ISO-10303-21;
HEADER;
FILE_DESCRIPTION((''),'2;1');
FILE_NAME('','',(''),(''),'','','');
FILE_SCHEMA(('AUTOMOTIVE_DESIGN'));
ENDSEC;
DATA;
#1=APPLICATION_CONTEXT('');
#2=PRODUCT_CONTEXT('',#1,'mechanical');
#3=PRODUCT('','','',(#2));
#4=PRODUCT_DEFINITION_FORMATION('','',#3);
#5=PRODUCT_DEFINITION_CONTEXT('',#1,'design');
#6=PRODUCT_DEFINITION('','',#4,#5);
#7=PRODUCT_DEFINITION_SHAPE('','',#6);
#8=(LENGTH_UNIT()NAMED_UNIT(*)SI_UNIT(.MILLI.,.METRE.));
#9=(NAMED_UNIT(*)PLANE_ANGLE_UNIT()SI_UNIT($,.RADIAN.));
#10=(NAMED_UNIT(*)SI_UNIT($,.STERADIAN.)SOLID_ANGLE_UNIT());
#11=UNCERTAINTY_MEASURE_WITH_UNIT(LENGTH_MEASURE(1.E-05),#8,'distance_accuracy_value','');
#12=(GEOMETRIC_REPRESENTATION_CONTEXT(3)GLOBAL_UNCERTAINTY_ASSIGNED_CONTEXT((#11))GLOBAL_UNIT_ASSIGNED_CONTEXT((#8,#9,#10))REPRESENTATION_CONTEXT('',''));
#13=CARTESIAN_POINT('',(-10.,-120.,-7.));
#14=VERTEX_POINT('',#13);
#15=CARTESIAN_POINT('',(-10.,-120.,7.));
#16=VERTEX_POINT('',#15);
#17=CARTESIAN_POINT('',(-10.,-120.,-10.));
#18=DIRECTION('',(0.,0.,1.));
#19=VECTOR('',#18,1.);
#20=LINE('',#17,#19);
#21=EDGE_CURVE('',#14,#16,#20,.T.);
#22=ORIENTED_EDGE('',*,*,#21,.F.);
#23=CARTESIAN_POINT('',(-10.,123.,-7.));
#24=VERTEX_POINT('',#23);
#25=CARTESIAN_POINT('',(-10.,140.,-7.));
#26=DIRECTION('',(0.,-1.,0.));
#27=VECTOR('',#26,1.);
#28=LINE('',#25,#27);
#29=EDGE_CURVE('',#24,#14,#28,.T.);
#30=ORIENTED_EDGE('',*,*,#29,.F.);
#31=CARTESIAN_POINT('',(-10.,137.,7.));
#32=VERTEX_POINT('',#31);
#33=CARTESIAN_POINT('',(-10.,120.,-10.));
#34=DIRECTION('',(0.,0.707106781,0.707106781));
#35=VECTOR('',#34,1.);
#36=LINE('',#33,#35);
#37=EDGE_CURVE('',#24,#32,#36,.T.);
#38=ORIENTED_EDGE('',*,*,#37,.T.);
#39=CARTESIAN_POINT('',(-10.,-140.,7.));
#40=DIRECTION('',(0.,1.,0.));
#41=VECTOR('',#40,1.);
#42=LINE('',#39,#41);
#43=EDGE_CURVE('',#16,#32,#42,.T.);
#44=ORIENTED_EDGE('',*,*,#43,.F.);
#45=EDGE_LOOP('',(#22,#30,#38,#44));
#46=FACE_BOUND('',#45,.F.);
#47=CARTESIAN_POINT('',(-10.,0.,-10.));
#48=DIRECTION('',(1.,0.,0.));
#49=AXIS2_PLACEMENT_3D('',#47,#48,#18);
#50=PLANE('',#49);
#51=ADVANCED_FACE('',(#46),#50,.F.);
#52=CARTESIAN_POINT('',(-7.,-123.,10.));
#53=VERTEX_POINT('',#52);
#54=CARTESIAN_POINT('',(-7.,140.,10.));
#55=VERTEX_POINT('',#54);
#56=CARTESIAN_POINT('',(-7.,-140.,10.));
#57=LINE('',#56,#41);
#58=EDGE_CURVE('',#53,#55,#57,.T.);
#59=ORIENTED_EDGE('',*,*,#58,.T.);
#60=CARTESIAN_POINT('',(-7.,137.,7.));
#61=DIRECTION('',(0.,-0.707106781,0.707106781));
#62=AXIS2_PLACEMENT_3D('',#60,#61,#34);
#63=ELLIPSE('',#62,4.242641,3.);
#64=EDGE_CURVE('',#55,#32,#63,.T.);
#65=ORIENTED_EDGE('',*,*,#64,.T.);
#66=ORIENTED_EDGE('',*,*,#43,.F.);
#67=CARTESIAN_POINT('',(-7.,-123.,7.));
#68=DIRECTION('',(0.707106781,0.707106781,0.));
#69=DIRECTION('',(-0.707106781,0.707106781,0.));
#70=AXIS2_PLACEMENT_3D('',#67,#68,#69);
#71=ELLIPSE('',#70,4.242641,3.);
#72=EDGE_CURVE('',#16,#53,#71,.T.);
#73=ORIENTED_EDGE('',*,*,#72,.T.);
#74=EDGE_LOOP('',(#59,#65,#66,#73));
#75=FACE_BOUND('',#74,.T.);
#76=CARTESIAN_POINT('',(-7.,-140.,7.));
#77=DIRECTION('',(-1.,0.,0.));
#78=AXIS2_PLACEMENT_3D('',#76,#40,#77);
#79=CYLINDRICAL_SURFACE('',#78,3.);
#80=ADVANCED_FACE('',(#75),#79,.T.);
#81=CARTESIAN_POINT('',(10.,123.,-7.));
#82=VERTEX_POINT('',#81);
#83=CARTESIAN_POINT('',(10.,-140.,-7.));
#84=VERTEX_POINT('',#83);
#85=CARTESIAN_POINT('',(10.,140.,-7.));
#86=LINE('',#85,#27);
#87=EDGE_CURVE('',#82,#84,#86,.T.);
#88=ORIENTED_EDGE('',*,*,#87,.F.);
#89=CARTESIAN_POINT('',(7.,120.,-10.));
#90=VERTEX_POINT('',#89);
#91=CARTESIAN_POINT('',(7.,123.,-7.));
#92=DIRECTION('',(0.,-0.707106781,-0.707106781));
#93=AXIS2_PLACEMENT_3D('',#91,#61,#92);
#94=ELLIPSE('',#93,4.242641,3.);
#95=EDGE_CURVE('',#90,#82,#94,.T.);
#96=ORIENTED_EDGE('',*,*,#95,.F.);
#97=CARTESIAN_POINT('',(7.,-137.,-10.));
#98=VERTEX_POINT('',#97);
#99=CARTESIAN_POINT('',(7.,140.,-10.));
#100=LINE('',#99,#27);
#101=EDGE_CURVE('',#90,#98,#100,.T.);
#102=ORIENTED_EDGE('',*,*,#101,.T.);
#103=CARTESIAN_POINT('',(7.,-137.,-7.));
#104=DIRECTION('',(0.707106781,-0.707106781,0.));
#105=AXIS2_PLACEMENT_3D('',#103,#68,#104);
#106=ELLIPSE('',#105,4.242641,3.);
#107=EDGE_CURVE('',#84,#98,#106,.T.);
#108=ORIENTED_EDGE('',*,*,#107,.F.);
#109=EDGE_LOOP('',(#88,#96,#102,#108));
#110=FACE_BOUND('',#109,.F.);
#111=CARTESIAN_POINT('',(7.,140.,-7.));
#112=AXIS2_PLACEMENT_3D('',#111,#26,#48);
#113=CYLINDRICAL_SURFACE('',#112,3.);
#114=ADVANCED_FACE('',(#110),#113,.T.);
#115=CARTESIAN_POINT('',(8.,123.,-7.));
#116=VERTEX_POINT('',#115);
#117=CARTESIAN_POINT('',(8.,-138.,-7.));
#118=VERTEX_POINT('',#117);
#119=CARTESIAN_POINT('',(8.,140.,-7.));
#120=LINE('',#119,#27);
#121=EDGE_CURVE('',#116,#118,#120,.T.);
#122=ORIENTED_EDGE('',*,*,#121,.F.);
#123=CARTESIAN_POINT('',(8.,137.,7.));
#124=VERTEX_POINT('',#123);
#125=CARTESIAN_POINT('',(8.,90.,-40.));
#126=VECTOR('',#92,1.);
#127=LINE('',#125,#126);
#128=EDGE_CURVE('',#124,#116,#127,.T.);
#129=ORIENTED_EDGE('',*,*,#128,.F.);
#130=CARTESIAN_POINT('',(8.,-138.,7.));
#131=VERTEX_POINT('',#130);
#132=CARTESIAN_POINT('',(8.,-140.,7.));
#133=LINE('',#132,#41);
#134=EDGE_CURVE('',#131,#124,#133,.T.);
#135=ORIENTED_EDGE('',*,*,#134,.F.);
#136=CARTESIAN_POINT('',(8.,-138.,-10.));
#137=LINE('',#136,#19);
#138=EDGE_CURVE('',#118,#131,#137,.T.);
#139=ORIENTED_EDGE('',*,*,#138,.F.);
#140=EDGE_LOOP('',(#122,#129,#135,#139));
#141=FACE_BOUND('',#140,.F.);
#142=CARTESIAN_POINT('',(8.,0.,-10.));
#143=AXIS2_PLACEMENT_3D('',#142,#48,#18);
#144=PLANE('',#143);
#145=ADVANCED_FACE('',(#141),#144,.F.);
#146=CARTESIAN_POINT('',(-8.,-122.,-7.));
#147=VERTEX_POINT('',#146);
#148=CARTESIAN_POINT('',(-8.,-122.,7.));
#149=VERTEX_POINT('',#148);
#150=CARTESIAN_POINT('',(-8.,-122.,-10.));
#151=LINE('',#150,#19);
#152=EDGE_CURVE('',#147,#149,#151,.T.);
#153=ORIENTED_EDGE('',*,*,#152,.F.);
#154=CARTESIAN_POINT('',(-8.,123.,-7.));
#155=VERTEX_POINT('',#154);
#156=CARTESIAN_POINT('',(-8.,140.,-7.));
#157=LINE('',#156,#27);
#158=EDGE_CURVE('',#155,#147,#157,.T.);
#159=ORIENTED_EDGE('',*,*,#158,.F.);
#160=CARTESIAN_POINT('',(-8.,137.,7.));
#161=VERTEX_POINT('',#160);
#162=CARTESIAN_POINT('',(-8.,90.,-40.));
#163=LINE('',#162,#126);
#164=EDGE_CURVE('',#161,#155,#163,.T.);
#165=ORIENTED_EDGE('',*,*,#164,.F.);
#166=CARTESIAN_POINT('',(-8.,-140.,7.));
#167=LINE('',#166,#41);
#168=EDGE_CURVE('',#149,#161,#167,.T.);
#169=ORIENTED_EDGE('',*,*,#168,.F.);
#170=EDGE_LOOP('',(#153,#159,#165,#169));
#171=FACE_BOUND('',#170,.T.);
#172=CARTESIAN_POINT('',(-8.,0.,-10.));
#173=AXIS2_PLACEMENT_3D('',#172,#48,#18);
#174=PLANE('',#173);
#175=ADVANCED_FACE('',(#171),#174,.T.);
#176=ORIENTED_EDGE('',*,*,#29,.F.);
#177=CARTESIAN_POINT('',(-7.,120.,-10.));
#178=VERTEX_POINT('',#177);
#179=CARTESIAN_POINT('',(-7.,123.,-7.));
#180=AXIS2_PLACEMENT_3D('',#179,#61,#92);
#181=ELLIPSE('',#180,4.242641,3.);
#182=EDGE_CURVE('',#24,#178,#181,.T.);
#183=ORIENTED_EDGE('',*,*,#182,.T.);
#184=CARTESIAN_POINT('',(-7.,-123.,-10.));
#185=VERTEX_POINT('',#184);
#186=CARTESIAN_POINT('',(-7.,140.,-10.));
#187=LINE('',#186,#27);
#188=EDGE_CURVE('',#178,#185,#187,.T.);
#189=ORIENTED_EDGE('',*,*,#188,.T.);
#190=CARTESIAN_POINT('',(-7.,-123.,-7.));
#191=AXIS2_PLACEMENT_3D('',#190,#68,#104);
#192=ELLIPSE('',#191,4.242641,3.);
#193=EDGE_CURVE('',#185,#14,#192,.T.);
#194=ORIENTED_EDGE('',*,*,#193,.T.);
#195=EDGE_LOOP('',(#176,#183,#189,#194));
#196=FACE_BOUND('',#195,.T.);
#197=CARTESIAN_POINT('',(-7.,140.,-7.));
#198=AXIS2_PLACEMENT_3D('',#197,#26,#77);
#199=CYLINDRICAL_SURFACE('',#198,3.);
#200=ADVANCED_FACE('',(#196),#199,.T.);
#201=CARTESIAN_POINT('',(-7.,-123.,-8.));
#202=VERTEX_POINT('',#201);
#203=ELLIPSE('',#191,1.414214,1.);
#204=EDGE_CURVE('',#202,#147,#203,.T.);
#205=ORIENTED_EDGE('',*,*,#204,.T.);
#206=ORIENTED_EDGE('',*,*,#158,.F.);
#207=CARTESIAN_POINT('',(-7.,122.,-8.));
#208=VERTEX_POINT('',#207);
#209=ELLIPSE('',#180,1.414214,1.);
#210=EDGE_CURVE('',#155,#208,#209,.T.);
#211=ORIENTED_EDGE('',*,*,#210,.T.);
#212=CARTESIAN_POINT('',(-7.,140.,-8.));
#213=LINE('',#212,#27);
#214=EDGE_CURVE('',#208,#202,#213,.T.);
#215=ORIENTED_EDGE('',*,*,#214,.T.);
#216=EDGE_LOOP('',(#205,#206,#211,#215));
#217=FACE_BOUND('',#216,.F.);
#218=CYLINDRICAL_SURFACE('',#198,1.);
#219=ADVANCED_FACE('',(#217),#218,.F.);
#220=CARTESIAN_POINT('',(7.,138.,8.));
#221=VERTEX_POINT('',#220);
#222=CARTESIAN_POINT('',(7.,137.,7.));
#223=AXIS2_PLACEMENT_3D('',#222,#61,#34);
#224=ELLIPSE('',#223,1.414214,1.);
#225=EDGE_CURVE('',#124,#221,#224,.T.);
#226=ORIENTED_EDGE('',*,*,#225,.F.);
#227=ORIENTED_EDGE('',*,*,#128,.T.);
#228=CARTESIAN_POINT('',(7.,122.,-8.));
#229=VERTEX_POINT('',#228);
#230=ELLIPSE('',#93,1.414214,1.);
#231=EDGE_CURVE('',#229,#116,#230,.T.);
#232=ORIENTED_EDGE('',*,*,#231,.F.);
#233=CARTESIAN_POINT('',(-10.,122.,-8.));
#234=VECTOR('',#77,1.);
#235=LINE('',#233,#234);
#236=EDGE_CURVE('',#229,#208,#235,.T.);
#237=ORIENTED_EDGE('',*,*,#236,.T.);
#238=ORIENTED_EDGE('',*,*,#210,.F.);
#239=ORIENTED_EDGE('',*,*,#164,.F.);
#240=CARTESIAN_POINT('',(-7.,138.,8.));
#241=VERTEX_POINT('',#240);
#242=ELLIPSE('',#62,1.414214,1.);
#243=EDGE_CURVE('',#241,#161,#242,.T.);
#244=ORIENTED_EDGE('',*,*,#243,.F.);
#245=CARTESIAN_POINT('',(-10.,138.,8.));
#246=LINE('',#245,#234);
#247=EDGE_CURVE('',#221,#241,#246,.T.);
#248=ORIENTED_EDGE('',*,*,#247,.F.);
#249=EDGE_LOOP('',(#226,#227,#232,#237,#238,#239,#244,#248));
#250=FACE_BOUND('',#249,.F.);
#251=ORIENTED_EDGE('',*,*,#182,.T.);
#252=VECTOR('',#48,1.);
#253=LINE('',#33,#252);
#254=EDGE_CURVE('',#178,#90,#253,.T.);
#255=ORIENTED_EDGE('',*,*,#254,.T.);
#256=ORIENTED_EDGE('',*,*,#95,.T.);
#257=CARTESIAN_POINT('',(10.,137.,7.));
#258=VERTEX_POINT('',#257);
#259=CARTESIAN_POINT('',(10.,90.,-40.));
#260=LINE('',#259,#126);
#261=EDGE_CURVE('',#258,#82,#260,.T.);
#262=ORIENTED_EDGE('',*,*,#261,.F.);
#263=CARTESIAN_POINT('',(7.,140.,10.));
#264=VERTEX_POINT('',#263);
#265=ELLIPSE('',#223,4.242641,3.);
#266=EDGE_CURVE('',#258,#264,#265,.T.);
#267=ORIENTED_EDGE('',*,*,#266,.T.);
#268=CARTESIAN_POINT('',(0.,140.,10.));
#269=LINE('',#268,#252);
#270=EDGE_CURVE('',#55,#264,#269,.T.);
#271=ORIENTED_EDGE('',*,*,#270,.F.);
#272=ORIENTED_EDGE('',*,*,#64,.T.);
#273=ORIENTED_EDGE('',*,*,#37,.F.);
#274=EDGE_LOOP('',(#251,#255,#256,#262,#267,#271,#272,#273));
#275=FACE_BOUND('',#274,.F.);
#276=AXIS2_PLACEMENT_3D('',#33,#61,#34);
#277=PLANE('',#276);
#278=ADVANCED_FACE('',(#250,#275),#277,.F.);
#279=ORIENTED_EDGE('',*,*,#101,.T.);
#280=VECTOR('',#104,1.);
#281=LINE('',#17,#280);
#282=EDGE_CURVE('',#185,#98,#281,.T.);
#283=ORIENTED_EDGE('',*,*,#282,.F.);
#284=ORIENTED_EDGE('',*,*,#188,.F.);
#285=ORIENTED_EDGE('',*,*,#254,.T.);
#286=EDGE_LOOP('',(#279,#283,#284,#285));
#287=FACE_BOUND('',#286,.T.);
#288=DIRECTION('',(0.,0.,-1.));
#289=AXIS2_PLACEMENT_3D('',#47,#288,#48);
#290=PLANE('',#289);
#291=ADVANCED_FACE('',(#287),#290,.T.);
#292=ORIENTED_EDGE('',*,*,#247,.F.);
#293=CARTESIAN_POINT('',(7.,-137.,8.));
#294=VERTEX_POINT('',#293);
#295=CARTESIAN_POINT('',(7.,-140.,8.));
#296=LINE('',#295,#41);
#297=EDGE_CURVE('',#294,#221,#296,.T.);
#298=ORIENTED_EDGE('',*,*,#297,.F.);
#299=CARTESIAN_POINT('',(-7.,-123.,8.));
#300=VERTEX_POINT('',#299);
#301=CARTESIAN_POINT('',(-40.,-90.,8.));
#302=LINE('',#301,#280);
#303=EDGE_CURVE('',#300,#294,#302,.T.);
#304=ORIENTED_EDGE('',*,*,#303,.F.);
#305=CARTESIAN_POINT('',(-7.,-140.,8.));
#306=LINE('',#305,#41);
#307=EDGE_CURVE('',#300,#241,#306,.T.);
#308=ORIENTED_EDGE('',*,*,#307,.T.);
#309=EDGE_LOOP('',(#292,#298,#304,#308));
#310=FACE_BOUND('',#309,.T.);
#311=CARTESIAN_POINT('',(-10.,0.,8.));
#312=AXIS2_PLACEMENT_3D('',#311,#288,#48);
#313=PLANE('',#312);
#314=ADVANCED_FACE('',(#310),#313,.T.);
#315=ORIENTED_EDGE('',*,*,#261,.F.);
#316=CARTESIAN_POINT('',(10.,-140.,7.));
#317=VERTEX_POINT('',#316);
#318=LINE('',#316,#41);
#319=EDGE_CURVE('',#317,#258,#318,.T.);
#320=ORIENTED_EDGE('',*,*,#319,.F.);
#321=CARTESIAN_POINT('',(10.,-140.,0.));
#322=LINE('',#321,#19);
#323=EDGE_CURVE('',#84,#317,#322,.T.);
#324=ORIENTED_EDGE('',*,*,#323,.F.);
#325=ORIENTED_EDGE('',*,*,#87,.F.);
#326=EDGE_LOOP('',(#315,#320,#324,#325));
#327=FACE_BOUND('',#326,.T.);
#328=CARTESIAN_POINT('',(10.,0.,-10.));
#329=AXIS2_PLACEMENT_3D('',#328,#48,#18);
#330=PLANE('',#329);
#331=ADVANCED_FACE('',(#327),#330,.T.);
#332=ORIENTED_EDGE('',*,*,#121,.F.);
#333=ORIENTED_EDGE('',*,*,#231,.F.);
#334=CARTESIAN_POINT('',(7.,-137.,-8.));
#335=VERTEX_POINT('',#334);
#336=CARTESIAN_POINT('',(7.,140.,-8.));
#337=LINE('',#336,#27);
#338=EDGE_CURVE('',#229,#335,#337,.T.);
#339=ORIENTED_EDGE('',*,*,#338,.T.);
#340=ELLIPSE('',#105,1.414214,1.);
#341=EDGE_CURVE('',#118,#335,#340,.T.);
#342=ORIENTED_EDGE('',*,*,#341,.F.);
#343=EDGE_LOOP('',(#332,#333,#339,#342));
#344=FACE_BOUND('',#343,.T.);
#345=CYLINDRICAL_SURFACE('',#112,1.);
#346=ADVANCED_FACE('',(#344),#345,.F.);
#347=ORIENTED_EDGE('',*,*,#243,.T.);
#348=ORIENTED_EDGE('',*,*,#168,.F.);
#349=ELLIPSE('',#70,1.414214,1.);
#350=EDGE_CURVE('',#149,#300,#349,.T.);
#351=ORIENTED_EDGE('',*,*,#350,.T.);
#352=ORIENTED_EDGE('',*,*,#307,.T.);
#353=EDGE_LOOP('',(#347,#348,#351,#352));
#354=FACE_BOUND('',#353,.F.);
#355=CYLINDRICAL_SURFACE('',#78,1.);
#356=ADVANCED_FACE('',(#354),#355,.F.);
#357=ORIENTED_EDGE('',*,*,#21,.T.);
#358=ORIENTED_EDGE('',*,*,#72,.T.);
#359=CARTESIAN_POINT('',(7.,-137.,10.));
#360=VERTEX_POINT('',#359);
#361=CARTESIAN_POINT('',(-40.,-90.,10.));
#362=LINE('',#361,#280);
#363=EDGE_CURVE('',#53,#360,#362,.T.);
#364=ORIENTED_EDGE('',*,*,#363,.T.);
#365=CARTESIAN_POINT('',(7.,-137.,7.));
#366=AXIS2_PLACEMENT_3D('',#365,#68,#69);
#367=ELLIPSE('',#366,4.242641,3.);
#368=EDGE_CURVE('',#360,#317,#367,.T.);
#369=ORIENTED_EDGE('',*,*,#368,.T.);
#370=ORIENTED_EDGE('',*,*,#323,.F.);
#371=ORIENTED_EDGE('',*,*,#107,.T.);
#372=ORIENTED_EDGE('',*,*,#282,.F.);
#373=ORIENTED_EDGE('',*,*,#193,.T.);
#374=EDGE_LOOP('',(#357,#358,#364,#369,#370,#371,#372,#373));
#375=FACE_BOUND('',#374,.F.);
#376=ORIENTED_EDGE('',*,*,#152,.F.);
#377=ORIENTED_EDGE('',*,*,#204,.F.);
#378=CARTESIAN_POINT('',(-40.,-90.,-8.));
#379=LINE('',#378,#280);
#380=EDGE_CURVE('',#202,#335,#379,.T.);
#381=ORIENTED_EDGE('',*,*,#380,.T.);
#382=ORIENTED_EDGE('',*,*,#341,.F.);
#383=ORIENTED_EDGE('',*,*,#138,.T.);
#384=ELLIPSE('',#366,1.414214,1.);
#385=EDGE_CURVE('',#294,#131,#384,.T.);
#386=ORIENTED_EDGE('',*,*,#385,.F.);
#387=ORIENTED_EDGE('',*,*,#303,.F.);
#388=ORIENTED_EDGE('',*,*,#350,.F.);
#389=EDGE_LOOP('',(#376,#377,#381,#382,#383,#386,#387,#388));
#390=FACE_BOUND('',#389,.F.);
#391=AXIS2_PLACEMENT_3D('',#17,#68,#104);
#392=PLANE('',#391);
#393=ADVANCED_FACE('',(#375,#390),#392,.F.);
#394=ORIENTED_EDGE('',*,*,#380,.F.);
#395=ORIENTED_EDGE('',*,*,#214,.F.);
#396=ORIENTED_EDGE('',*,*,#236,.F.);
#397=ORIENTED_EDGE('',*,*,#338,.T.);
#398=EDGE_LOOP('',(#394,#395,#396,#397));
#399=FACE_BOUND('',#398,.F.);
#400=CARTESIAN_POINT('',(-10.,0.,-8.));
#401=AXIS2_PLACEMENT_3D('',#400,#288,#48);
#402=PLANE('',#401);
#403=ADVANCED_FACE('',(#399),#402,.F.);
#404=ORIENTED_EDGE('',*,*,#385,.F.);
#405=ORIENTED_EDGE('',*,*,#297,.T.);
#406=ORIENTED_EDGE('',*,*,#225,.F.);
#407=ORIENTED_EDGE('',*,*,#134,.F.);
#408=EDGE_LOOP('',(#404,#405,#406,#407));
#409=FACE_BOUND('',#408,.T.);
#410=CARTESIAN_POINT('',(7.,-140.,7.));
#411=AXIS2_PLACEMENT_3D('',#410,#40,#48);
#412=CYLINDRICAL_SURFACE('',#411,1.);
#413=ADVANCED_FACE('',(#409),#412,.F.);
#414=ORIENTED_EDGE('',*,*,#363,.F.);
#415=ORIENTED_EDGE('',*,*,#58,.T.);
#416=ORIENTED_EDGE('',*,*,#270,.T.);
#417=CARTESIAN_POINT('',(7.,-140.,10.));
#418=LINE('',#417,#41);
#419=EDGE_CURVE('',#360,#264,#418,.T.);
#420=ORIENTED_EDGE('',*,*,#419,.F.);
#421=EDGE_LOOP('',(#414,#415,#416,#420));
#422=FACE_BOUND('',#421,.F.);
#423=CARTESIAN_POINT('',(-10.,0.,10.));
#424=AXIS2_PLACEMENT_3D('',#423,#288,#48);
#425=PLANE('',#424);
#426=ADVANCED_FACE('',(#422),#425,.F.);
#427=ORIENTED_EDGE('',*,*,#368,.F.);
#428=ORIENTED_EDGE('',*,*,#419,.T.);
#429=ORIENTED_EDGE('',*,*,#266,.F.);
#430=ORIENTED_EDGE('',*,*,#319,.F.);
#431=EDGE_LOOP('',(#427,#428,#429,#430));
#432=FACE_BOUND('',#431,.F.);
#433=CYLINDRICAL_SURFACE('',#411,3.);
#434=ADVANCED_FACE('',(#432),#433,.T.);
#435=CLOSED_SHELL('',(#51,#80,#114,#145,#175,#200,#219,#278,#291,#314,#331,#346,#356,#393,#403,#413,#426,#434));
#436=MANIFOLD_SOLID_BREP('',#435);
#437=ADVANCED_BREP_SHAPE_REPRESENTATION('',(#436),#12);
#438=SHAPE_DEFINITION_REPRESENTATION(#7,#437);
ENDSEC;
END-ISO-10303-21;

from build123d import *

# Parameters (mm, degrees)
F2_W     = 20
F2_H     = 20
F3_DEPTH = 140
F4_R     = 3
F5_T     = -2
F7_DEPTH = 20.001
F9_DEPTH = 20.001


with BuildPart() as f3:
    # F2 (on Front) → F3 (new body, symmetric)
    with BuildSketch(Plane.XZ):
        Rectangle(F2_W, F2_H)
    extrude(amount=F3_DEPTH, both=True)

    # F4
    f4_edges = [f3.edges().sort_by_distance(p)[0] for p in [
        (10, 0, 10),
        (-10, 0, 10),
        (10, 0, -10),
        (-10, 0, -10),
    ]]
    fillet(f4_edges, radius=F4_R)

    # F5
    f5_openings = [f3.faces().sort_by_distance(p)[0] for p in [
        (0, -140, 0),
        (0, 140, 0),
    ]]
    offset(amount=F5_T, openings=f5_openings)

    # F6 (on face) → F7 (cut, through all)
    with BuildSketch(Plane(origin=(-10, 0, 0), x_dir=(0, -1, 0), z_dir=(-1, 0, 0))):
        Polygon((-140, 10), (-140, -10), (-120, -10), align=None)
    extrude(amount=-F7_DEPTH, mode=Mode.SUBTRACT)

    # F8 (on face) → F9 (cut, through all)
    with BuildSketch(Plane(origin=(0, 0, -10), x_dir=(1, 0, 0), z_dir=(0, 0, -1))):
        Polygon((-10, 140), (-10, 120), (10, 140), align=None)
    extrude(amount=-F9_DEPTH, mode=Mode.SUBTRACT)


solid = f3.part
